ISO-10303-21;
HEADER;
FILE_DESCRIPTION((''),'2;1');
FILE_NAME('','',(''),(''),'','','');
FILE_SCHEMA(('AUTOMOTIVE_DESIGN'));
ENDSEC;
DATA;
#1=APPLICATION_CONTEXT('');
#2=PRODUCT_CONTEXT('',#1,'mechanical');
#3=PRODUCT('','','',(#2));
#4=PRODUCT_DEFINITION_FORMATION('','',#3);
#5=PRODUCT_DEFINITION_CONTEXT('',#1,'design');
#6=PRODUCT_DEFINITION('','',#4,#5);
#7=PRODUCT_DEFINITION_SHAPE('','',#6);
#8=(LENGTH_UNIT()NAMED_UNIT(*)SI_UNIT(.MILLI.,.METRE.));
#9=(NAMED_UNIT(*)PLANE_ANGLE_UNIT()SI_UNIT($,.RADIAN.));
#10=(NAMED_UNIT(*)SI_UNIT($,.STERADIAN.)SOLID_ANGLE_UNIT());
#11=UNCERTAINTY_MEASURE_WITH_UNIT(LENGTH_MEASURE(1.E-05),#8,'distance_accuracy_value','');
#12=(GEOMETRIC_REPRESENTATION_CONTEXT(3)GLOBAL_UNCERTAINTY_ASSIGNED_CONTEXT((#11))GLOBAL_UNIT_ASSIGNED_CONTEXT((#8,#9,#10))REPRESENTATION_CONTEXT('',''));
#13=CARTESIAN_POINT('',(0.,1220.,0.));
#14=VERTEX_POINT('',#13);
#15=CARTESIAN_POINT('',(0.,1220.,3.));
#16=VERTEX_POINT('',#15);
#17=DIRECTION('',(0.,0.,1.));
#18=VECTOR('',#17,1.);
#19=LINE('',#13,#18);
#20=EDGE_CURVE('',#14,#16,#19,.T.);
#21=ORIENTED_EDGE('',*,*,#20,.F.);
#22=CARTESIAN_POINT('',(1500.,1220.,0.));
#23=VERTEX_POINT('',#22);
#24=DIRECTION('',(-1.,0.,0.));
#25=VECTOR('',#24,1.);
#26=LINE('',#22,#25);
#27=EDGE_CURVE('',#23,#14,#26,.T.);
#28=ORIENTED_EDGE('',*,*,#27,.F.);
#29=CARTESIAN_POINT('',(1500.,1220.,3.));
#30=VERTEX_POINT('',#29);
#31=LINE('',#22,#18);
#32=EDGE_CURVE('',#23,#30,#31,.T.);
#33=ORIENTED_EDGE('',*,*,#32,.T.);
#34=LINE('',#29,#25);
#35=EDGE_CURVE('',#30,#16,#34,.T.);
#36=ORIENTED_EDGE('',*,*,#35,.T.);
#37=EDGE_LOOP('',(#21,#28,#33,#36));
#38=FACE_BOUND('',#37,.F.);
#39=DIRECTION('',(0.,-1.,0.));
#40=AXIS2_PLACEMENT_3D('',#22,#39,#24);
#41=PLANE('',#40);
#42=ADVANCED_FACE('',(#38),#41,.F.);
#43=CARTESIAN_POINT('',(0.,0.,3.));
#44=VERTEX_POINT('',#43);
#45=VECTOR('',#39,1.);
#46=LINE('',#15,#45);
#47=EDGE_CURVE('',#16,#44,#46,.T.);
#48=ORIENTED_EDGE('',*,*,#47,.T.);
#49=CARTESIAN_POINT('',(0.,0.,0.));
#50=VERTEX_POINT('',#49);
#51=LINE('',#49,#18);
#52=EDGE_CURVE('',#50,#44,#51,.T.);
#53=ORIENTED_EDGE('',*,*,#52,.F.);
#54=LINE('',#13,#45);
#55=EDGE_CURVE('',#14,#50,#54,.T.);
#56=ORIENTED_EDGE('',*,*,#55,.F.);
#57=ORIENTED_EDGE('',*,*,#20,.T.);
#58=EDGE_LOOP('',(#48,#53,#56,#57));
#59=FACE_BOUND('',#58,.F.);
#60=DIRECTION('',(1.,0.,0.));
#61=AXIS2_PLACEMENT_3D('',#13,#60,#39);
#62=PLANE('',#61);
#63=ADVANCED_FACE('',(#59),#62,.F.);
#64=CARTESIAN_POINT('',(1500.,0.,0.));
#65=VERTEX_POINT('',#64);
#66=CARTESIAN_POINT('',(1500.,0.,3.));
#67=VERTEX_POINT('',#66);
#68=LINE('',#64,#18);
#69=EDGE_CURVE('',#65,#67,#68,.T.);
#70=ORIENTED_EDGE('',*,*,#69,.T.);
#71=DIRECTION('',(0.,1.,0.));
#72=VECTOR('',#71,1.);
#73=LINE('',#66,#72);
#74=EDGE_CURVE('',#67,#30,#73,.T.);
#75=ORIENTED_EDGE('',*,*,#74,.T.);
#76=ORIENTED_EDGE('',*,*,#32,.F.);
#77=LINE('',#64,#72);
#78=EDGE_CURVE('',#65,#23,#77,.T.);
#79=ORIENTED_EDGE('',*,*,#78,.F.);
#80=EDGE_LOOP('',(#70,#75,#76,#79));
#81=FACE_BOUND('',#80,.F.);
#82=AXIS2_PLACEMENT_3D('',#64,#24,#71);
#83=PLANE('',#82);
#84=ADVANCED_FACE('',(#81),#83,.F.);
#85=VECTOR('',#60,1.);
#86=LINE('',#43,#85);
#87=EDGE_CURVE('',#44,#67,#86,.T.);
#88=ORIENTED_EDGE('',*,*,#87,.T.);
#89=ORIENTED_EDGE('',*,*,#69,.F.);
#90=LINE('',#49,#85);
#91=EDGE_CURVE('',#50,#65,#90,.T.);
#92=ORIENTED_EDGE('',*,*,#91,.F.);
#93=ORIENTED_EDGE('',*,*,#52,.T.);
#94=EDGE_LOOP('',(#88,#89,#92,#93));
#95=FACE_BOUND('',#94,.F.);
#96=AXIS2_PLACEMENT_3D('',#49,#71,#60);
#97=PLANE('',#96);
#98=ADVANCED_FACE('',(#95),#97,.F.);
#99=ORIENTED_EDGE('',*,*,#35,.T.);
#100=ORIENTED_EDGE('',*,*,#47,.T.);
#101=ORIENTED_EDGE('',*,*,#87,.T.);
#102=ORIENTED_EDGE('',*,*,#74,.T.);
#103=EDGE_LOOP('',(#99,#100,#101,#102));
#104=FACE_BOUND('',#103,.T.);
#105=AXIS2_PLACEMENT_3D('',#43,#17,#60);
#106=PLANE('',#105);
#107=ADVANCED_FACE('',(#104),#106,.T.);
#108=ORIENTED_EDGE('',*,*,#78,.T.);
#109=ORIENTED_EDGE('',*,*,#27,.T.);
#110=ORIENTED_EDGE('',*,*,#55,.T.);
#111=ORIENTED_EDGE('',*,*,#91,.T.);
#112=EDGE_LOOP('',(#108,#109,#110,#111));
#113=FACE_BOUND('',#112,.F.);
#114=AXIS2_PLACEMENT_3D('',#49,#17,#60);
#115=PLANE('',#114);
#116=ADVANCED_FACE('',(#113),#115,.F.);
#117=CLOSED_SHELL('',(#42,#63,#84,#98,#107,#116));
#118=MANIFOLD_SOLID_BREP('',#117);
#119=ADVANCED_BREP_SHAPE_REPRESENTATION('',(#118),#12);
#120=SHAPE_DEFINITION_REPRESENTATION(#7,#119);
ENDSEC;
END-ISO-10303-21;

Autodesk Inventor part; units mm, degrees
ref_plane "YZ Plane" through (0, 0, 0) normal (1, 0, 0) x (0, 1, 0)
ref_plane "XZ Plane" through (0, 0, 0) normal (0, 1, 0) x (-1, 0, 0)
ref_plane "XY Plane" through (0, 0, 0) normal (0, 0, 1) x (1, 0, 0)
sketch "Sketch1" plane through (0, 0, 0) normal (0, 0, 1) x (1, 0, 0)
  line L0 (0, 0) -> (1500, 0)
  line L1 (1500, 0) -> (1500, 1220)
  line L2 (1500, 1220) -> (0, 1220)
  line L3 (0, 1220) -> (0, 0)
  dimension "d0" = 1500
  dimension "d1" = 1220
extrude "Extrusion1" add sketch "Sketch1" along normal blind 3
properties part number "backboard" material "Plywood, Sheathing"
